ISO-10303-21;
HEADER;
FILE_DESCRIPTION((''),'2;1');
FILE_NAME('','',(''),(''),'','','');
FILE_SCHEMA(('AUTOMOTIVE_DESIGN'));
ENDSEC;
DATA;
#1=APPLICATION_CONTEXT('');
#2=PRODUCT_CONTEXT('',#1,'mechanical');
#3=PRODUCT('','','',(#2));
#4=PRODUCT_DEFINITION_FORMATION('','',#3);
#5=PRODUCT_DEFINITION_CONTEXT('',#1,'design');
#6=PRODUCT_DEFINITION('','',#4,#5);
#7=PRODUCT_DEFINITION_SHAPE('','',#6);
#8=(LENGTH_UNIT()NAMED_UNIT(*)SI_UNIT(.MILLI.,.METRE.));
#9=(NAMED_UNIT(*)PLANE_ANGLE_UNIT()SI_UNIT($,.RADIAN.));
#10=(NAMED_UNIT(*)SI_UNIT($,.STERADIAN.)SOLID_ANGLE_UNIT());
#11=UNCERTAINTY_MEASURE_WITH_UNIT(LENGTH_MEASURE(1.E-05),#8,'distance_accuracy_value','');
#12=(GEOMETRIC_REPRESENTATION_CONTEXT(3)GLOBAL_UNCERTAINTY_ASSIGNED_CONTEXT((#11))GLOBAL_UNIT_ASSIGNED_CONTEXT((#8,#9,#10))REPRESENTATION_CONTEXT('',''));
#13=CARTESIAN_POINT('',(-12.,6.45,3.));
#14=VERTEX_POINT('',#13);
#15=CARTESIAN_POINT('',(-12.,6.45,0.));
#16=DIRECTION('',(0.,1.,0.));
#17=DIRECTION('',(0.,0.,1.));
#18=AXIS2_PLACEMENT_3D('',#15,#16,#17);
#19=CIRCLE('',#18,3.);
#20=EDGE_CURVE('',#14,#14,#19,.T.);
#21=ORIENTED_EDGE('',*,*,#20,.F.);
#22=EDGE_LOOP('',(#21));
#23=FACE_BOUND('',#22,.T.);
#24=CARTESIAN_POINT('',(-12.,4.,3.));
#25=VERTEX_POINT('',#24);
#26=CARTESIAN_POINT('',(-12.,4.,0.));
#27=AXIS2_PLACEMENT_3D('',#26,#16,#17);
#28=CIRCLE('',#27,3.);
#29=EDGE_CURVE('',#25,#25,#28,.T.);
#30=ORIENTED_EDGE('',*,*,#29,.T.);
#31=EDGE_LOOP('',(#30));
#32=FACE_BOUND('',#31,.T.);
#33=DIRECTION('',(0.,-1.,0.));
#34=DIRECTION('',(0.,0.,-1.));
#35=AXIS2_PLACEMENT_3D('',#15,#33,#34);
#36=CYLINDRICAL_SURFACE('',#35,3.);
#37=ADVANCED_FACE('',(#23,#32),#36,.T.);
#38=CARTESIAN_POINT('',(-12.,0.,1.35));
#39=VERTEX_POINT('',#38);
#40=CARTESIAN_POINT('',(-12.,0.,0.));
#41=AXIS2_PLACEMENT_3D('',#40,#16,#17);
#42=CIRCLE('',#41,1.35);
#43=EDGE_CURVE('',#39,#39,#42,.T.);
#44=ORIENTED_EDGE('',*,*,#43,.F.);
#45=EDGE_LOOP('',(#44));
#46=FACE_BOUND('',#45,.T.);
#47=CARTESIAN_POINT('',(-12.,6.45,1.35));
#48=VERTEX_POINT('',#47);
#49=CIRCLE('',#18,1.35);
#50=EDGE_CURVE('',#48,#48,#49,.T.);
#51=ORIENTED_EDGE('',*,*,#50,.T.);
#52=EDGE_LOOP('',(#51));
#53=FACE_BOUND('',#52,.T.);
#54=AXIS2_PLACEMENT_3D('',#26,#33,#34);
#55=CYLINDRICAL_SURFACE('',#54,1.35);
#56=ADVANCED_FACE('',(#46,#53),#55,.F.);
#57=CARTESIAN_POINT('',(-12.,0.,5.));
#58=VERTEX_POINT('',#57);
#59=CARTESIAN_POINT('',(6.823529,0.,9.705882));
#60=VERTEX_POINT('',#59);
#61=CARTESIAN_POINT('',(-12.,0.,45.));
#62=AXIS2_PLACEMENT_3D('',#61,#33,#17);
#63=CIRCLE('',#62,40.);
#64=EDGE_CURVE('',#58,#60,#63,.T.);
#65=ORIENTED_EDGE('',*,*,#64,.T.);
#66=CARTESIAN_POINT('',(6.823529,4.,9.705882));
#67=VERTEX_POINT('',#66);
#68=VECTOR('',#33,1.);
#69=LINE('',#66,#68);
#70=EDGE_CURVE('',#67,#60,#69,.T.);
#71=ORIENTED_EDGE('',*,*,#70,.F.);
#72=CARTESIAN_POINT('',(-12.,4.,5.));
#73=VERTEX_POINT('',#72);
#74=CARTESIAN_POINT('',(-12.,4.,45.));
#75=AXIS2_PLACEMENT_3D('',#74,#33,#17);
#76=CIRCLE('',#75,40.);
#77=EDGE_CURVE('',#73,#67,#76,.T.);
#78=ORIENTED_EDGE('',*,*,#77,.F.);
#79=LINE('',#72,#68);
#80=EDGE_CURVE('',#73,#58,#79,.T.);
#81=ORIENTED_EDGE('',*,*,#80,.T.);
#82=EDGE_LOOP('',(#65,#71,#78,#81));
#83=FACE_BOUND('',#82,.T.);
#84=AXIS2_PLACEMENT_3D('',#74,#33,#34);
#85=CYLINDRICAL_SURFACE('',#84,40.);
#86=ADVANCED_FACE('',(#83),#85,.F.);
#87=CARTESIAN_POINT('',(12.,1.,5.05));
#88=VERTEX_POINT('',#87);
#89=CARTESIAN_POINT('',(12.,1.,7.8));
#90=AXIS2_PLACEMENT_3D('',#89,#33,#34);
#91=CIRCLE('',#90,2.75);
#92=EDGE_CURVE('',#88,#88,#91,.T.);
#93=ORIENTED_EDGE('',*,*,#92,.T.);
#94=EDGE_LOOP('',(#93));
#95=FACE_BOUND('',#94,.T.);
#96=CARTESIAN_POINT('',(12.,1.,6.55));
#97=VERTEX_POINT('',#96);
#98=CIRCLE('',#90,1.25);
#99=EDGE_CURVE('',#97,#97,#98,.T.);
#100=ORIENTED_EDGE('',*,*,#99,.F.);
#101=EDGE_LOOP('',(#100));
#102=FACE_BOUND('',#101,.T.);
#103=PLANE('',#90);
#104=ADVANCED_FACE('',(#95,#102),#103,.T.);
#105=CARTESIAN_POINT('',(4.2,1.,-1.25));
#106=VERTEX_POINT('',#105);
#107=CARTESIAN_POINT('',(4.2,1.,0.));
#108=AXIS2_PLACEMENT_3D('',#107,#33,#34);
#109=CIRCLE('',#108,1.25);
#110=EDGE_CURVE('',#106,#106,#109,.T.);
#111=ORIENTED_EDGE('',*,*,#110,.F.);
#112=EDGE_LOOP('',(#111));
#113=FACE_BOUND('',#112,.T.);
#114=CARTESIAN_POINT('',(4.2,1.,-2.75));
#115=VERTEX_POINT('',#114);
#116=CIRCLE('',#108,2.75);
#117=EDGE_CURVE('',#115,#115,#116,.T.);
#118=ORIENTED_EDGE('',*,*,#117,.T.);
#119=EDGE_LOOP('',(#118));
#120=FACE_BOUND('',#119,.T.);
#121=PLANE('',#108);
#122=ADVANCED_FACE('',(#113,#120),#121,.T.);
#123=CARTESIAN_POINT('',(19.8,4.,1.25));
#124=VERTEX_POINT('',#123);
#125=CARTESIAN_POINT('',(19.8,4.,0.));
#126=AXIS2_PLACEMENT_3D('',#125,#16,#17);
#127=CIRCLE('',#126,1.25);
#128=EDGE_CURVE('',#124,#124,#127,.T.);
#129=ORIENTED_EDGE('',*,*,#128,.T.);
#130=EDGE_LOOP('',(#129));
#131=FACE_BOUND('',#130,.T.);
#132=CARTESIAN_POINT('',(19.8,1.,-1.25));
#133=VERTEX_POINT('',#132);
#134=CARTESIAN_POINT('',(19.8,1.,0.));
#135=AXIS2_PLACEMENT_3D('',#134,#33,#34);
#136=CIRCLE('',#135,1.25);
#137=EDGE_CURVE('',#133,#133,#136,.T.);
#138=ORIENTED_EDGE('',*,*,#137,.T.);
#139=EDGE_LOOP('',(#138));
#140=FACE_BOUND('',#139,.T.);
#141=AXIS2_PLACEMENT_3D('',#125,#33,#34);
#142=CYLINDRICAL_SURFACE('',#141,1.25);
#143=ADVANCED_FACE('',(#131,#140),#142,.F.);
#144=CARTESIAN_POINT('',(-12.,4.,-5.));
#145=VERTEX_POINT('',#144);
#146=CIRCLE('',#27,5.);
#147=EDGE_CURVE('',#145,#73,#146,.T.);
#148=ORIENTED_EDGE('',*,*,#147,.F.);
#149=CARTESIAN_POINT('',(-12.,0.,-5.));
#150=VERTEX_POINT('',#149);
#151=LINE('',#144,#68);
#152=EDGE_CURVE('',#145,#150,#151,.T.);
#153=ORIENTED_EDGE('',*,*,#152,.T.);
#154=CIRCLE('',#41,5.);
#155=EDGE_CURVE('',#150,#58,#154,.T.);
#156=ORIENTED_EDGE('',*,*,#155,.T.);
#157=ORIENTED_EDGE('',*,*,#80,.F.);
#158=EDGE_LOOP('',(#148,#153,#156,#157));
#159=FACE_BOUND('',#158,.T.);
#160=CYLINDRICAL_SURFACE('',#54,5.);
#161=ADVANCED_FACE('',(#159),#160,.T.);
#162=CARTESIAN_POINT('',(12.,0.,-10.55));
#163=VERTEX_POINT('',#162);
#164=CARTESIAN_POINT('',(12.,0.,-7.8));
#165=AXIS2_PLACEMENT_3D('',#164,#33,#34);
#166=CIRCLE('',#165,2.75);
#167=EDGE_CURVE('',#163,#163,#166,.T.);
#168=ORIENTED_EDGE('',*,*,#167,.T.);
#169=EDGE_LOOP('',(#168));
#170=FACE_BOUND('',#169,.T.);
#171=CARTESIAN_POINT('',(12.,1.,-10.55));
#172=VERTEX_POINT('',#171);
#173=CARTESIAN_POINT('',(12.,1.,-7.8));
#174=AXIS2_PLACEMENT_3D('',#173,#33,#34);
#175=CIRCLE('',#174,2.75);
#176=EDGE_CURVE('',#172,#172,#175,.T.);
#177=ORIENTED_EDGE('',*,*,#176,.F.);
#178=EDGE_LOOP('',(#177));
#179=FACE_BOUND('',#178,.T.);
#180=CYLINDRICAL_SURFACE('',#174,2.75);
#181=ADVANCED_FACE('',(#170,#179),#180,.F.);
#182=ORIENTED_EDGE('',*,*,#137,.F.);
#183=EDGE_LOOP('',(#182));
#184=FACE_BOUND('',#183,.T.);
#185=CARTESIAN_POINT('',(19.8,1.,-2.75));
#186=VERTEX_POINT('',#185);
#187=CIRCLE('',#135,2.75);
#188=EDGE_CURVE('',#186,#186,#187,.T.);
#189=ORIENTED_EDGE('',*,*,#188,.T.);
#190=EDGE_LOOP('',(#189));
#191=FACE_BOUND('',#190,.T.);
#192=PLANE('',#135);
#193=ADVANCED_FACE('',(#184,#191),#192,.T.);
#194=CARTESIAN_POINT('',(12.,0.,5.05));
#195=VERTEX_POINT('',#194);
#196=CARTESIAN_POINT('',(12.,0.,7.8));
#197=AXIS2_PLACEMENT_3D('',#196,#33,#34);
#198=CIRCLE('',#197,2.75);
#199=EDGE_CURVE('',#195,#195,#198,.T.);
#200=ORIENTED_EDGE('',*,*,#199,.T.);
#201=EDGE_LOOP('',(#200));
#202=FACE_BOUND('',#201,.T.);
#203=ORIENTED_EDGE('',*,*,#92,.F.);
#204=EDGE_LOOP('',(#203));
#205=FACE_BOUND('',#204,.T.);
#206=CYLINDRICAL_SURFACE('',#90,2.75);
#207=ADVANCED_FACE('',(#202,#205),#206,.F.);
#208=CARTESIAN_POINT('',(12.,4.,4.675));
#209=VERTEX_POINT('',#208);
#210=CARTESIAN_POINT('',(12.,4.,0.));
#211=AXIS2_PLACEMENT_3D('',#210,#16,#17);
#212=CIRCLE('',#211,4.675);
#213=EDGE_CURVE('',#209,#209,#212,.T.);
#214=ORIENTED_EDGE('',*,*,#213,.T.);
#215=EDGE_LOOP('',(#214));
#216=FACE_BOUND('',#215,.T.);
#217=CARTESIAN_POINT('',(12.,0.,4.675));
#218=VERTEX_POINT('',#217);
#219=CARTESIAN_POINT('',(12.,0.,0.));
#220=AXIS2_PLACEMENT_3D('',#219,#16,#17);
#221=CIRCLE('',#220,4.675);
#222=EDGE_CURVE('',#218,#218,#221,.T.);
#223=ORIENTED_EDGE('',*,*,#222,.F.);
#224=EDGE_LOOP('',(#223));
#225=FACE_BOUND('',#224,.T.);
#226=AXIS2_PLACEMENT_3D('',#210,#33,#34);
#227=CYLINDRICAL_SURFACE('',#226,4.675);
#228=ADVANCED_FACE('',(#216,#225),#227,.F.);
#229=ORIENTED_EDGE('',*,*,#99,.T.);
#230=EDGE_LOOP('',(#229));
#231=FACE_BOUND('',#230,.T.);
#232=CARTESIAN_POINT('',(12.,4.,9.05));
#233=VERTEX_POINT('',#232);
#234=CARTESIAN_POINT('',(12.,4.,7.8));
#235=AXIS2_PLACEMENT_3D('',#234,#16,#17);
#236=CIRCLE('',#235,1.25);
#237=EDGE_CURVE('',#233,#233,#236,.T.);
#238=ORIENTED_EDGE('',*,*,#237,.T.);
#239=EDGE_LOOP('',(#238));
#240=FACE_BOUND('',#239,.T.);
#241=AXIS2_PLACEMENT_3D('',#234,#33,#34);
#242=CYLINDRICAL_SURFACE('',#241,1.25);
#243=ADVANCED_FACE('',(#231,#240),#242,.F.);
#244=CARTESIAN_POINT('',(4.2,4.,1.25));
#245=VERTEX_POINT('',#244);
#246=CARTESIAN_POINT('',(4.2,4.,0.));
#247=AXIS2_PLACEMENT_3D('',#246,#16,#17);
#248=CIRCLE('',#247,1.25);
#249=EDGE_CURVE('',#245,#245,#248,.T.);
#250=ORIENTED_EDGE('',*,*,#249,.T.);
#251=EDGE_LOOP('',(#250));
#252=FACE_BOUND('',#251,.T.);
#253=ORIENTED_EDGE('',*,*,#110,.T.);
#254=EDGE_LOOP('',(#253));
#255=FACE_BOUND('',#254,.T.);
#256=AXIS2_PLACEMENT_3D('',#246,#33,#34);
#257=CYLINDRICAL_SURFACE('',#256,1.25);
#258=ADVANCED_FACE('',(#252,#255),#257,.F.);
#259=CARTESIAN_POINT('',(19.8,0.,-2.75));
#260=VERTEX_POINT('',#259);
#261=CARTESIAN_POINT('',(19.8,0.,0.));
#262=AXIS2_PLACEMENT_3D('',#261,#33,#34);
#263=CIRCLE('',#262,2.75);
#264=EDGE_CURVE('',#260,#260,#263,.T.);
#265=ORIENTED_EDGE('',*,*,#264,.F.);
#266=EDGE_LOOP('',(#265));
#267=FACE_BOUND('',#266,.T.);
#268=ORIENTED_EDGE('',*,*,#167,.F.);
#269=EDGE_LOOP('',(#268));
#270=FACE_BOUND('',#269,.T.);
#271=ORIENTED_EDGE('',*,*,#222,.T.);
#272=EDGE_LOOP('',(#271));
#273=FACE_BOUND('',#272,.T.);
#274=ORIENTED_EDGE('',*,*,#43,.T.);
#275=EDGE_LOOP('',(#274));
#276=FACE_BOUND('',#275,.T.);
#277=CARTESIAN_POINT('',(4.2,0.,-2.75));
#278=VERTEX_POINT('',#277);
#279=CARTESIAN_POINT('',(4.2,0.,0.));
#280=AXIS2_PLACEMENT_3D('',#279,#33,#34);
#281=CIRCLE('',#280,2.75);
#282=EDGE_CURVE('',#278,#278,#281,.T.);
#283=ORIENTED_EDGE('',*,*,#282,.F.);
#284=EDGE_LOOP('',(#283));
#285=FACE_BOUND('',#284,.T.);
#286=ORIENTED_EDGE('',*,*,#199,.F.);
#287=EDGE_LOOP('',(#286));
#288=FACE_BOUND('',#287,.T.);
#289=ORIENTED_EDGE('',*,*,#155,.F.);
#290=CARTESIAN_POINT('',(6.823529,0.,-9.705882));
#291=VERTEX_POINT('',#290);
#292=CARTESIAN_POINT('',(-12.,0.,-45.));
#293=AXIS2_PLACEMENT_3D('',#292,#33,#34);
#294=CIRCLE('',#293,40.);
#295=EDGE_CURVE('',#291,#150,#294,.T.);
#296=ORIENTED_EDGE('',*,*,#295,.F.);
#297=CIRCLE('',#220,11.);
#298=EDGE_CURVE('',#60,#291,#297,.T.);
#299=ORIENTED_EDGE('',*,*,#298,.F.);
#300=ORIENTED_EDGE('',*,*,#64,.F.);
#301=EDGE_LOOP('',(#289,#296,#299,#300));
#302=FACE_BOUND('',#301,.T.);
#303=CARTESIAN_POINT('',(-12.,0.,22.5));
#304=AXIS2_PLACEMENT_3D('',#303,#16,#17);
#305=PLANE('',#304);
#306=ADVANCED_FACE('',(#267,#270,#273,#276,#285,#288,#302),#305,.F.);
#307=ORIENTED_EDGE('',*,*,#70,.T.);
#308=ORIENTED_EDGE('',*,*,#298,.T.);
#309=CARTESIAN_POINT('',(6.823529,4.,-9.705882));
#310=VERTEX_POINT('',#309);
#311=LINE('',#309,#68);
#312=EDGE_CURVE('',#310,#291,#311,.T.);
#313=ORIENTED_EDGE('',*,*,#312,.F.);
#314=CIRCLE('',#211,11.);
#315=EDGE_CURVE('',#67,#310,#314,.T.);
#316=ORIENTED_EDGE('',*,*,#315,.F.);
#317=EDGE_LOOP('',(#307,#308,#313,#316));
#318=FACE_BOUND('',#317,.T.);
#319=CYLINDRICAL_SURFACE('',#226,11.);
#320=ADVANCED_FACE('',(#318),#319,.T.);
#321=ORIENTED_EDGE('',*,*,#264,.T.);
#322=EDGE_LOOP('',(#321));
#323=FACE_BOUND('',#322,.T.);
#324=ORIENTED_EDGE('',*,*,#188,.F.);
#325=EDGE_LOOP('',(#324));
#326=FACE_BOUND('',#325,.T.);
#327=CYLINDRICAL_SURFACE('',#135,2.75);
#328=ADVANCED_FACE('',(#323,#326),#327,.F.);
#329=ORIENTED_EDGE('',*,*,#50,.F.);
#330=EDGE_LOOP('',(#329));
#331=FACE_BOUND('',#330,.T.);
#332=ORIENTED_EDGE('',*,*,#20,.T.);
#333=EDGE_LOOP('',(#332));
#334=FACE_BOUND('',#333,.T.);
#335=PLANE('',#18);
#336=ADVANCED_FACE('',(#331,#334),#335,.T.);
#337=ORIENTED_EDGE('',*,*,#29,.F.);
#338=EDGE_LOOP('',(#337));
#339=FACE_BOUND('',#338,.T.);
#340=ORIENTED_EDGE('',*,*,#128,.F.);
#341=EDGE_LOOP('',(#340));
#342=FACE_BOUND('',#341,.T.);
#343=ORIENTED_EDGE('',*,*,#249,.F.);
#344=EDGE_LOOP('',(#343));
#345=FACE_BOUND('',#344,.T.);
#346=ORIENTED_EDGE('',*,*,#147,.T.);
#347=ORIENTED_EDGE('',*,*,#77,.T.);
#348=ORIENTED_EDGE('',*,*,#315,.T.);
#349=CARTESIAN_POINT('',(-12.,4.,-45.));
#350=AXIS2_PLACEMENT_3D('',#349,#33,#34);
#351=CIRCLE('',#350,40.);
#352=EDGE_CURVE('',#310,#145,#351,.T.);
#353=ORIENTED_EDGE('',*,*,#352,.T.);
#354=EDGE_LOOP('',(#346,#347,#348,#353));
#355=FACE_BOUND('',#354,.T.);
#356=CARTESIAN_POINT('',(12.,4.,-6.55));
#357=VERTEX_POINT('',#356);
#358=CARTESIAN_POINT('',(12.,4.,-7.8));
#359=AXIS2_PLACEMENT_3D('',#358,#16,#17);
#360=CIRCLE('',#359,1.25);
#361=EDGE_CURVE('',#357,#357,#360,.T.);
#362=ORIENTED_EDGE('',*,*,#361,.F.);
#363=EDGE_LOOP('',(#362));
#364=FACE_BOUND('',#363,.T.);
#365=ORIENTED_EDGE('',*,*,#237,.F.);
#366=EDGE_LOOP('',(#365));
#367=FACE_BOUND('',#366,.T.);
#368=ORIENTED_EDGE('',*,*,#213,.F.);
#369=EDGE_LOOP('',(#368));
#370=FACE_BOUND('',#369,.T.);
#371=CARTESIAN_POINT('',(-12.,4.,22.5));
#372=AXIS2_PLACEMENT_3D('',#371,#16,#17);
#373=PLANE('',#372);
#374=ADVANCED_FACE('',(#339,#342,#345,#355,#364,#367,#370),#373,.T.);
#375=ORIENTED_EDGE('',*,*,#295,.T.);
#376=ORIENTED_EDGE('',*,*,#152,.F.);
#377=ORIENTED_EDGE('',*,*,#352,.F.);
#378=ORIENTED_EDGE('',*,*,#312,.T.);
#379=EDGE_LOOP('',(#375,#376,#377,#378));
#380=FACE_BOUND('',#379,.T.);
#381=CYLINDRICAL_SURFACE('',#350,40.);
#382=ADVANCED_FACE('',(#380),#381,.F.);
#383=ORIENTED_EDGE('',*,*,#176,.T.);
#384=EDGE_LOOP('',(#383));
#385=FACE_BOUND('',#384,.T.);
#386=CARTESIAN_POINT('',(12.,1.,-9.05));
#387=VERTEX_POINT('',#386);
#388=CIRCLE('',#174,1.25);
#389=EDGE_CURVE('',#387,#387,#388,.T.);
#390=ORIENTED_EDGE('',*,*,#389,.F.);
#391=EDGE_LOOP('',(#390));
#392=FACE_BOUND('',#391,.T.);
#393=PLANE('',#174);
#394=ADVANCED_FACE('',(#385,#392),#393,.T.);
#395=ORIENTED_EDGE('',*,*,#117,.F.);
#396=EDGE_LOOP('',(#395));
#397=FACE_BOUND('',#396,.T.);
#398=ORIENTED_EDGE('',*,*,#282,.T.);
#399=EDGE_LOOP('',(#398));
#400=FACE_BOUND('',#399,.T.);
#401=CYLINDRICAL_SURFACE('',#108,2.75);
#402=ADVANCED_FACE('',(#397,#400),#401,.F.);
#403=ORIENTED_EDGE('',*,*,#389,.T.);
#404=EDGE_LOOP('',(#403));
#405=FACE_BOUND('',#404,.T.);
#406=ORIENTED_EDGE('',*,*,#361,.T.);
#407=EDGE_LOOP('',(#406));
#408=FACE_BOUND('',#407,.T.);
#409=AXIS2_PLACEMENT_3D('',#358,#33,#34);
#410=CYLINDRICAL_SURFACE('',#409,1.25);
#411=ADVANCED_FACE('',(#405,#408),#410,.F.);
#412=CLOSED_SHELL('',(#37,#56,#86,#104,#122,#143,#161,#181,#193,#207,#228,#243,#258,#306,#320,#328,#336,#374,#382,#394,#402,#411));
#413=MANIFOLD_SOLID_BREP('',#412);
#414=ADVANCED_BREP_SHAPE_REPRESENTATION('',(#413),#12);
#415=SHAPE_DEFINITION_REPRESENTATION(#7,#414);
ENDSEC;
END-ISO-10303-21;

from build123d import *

# Parameters (mm, degrees)
SKETCH1_R           = 1.25
SKETCH1_R_2         = 1.35
SKETCH1_R_3         = 4.675
BOSS_EXTRUDE2_DEPTH = 4
SKETCH2_R           = 2.75
CUT_EXTRUDE1_DEPTH  = 1
SKETCH4_R           = 3
SKETCH4_R_2         = 1.35
BOSS_EXTRUDE3_DEPTH = 2.45


with BuildPart() as part:
    # Sketch1 → Boss-Extrude2 (new body)
    with BuildSketch(Plane(origin=(0, 0, 0), x_dir=(1, 0, 0), z_dir=(0, 1, 0))):
        with BuildLine():
            ThreePointArc((6.823529412, -9.705882353), (23, 0), (6.823529412, 9.705882353))
            ThreePointArc((6.823529412, 9.705882353), (-2.298574999, 6.194299994), (-12, 5))
            ThreePointArc((-12, 5), (-17, 0), (-12, -5))
            ThreePointArc((-12, -5), (-2.298574999, -6.194299994), (6.823529412, -9.705882353))
        make_face()
        with Locations(Location((4.2, 0, 0), (0, 0, 270))):
            Circle(SKETCH1_R, mode=Mode.SUBTRACT)
        with Locations(Location((-12, 0, 0), (0, 0, 270))):
            Circle(SKETCH1_R_2, mode=Mode.SUBTRACT)
        with Locations(Location((12, 7.8, 0), (0, 0, 270))):
            Circle(SKETCH1_R, mode=Mode.SUBTRACT)
        with Locations(Location((19.8, 0, 0), (0, 0, 270))):
            Circle(SKETCH1_R, mode=Mode.SUBTRACT)
        with Locations(Location((12, -7.8, 0), (0, 0, 270))):
            Circle(SKETCH1_R, mode=Mode.SUBTRACT)
        with Locations(Location((12, 0, 0), (0, 0, 270))):
            Circle(SKETCH1_R_3, mode=Mode.SUBTRACT)
    extrude(amount=BOSS_EXTRUDE2_DEPTH)

    # Sketch2 → Cut-Extrude1 (cut)
    with BuildSketch(Plane.XZ):
        with Locations(Location((12, -7.8, 0), (0, 0, 270))):
            Circle(SKETCH2_R)
        with Locations(Location((4.2, 0, 0), (0, 0, 270))):
            Circle(SKETCH2_R)
        with Locations(Location((12, 7.8, 0), (0, 0, 270))):
            Circle(SKETCH2_R)
        with Locations(Location((19.8, 0, 0), (0, 0, 270))):
            Circle(SKETCH2_R)
    extrude(amount=-CUT_EXTRUDE1_DEPTH, mode=Mode.SUBTRACT)

    # Sketch4 → Boss-Extrude3 (add)
    with BuildSketch(Plane(origin=(0, 4, 0), x_dir=(1, 0, 0), z_dir=(0, 1, 0))):
        with Locations(Location((-12, 0, 0), (0, 0, 270))):
            Circle(SKETCH4_R)
        with Locations(Location((-12, 0, 0), (0, 0, 270))):
            Circle(SKETCH4_R_2, mode=Mode.SUBTRACT)
    extrude(amount=BOSS_EXTRUDE3_DEPTH)


solid = part.part
